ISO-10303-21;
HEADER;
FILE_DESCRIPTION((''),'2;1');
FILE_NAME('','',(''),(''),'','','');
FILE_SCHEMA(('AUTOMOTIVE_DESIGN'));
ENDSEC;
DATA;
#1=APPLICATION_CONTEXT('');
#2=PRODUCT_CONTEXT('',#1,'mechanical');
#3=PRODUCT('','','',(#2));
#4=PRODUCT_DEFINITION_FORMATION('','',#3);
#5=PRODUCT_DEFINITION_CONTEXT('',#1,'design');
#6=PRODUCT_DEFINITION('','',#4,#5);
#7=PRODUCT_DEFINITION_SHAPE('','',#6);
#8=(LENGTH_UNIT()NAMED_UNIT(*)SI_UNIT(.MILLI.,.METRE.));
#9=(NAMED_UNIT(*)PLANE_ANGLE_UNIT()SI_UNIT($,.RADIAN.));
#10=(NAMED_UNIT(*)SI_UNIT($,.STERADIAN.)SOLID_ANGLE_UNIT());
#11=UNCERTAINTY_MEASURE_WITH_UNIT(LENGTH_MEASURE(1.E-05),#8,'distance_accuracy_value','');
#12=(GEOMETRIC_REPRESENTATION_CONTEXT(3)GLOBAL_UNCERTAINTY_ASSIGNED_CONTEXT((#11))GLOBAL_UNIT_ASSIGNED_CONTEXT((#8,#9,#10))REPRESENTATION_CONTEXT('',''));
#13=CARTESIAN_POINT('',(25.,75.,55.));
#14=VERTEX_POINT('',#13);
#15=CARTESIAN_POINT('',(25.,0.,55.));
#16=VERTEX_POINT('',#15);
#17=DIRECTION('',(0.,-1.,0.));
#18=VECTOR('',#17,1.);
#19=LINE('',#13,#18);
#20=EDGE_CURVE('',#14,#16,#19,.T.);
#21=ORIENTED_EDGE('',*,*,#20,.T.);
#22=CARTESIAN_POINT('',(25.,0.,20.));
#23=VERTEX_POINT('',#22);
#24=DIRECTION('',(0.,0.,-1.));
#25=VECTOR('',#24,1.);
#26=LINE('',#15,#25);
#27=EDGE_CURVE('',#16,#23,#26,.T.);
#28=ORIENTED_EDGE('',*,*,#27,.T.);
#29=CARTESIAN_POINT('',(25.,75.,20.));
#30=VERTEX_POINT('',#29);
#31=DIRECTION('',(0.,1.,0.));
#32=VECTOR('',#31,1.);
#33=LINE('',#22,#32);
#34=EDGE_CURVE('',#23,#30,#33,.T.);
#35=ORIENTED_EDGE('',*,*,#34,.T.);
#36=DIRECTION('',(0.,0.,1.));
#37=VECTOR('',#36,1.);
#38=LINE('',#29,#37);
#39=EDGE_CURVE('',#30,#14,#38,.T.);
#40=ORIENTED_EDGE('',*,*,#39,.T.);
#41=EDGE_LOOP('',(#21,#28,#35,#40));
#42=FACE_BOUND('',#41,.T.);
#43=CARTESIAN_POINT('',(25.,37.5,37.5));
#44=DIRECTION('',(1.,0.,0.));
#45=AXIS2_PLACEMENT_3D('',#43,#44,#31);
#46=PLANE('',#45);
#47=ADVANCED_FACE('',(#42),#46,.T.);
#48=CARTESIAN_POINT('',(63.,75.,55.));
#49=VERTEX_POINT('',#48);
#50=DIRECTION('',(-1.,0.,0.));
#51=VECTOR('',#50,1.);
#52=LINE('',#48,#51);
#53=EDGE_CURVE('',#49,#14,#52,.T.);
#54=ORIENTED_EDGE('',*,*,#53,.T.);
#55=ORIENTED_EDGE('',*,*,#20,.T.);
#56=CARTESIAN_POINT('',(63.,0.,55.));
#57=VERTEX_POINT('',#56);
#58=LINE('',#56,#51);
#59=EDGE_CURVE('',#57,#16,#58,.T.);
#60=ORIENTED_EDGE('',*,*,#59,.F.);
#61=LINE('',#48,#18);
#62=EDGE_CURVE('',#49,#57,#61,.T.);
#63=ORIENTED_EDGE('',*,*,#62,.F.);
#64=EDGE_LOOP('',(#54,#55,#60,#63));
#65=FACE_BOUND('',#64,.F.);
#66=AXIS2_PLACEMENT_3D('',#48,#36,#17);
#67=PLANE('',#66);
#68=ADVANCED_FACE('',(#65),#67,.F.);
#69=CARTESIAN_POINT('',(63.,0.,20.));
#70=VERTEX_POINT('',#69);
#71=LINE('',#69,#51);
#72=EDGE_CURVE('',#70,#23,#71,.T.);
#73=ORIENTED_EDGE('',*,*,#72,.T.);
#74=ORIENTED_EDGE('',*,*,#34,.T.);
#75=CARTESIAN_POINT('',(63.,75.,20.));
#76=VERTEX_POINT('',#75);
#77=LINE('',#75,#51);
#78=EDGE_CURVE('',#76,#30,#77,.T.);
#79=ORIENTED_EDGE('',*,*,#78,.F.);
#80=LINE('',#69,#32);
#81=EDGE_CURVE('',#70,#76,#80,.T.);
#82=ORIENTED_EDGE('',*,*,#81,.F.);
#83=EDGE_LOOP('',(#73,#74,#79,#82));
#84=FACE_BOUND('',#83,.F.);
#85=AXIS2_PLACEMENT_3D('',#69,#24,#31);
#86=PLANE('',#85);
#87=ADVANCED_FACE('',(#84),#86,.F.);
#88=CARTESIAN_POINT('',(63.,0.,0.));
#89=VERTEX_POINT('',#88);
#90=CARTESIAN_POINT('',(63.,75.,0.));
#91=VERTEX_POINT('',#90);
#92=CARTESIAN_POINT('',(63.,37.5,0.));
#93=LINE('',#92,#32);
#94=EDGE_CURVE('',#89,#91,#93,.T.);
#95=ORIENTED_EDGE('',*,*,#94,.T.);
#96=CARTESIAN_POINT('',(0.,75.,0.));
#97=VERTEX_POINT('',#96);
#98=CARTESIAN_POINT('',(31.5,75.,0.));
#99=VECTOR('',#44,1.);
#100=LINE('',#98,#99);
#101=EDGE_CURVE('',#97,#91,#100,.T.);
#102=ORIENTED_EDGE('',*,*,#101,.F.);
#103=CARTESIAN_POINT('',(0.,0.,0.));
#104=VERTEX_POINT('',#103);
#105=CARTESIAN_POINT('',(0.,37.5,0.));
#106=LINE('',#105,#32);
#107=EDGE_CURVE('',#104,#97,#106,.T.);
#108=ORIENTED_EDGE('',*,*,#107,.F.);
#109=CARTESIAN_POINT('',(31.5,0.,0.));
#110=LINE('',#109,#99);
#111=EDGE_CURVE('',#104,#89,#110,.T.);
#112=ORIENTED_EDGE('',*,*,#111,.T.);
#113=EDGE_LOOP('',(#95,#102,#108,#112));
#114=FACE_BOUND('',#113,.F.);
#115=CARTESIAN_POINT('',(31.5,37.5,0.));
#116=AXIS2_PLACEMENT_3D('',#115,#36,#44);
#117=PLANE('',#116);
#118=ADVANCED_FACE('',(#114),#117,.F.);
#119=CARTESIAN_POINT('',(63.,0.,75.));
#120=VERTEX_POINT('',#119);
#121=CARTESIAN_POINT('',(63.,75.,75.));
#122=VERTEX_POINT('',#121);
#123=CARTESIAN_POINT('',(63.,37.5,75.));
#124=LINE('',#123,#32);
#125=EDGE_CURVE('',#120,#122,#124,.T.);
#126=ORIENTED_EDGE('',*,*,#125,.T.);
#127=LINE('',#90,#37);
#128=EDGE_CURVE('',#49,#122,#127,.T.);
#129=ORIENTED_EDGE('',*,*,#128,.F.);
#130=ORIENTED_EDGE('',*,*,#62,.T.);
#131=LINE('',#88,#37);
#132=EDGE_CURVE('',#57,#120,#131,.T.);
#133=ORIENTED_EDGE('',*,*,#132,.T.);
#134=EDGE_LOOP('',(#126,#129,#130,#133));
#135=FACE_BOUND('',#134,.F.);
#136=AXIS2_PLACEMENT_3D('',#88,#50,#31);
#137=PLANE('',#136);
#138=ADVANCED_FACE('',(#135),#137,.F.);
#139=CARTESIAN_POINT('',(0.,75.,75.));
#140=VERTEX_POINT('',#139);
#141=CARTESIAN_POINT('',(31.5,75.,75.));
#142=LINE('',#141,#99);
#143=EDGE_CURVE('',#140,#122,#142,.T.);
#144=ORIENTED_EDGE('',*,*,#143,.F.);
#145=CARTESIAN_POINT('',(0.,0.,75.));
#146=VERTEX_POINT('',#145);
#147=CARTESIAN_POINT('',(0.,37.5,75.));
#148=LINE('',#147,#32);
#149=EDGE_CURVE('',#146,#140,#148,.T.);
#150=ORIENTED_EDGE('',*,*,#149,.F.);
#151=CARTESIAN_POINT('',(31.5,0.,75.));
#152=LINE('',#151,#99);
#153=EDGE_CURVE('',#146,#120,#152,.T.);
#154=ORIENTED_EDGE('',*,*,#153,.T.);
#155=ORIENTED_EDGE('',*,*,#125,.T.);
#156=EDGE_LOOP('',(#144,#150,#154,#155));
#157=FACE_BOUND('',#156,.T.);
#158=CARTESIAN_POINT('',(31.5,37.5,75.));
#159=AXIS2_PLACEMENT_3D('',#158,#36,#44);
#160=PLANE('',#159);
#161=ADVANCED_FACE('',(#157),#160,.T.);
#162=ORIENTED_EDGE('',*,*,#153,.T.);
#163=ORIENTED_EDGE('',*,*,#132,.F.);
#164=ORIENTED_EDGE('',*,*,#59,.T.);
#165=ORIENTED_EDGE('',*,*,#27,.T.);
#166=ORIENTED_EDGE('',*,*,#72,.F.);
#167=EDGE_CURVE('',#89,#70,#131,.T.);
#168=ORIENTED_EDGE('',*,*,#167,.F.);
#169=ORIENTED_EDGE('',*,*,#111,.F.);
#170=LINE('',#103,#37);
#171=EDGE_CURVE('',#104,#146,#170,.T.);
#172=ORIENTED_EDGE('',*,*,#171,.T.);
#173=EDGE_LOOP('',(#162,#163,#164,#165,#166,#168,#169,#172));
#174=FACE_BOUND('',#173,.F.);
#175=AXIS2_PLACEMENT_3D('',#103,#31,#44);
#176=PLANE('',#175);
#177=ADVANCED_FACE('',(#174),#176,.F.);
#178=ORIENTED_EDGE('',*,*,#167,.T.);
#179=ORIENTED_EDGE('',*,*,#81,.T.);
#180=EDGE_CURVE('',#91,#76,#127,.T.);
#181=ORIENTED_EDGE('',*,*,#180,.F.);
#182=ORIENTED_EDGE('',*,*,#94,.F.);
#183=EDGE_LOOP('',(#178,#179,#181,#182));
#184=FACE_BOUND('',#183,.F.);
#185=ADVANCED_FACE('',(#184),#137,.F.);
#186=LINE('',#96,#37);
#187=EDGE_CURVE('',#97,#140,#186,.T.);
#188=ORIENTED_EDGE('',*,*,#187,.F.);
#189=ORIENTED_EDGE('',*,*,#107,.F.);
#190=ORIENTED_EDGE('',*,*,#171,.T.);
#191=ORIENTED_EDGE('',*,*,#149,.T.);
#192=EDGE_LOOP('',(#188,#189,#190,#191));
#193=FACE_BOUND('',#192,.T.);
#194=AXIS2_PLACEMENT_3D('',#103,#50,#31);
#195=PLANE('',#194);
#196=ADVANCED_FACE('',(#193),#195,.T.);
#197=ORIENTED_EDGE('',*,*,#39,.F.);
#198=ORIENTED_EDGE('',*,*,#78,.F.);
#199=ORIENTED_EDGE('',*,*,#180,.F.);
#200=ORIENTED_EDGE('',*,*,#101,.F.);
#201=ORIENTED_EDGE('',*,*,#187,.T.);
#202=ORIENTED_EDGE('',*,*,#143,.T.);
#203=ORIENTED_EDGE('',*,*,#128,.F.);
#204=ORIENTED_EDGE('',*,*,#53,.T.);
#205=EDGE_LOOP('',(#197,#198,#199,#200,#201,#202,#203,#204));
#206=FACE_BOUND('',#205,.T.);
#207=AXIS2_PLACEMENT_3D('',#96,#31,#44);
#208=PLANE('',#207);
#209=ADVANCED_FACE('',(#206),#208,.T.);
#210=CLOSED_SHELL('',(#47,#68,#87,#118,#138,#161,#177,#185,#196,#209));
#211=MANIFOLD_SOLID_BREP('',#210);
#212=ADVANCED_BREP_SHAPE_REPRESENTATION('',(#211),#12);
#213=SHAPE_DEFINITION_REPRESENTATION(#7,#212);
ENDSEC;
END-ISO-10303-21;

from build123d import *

# Parameters (mm, degrees)
F0_W     = 63
F0_H     = 75
F1_DEPTH = 75
F3_DEPTH = 38


with BuildPart() as f1:
    # F0 (on Top) → F1 (new body)
    with BuildSketch(Plane.XY):
        with Locations((31.5, 37.5)):
            Rectangle(F0_W, F0_H)
    extrude(amount=F1_DEPTH)

    # F2 (on face) → F3 (cut)
    with BuildSketch(Plane.YZ.offset(63)):
        Polygon((0, 20), (37.5, 20), (75, 20), (75, 55), (0, 55), align=None)
    extrude(amount=-F3_DEPTH, mode=Mode.SUBTRACT)


solid = f1.part
